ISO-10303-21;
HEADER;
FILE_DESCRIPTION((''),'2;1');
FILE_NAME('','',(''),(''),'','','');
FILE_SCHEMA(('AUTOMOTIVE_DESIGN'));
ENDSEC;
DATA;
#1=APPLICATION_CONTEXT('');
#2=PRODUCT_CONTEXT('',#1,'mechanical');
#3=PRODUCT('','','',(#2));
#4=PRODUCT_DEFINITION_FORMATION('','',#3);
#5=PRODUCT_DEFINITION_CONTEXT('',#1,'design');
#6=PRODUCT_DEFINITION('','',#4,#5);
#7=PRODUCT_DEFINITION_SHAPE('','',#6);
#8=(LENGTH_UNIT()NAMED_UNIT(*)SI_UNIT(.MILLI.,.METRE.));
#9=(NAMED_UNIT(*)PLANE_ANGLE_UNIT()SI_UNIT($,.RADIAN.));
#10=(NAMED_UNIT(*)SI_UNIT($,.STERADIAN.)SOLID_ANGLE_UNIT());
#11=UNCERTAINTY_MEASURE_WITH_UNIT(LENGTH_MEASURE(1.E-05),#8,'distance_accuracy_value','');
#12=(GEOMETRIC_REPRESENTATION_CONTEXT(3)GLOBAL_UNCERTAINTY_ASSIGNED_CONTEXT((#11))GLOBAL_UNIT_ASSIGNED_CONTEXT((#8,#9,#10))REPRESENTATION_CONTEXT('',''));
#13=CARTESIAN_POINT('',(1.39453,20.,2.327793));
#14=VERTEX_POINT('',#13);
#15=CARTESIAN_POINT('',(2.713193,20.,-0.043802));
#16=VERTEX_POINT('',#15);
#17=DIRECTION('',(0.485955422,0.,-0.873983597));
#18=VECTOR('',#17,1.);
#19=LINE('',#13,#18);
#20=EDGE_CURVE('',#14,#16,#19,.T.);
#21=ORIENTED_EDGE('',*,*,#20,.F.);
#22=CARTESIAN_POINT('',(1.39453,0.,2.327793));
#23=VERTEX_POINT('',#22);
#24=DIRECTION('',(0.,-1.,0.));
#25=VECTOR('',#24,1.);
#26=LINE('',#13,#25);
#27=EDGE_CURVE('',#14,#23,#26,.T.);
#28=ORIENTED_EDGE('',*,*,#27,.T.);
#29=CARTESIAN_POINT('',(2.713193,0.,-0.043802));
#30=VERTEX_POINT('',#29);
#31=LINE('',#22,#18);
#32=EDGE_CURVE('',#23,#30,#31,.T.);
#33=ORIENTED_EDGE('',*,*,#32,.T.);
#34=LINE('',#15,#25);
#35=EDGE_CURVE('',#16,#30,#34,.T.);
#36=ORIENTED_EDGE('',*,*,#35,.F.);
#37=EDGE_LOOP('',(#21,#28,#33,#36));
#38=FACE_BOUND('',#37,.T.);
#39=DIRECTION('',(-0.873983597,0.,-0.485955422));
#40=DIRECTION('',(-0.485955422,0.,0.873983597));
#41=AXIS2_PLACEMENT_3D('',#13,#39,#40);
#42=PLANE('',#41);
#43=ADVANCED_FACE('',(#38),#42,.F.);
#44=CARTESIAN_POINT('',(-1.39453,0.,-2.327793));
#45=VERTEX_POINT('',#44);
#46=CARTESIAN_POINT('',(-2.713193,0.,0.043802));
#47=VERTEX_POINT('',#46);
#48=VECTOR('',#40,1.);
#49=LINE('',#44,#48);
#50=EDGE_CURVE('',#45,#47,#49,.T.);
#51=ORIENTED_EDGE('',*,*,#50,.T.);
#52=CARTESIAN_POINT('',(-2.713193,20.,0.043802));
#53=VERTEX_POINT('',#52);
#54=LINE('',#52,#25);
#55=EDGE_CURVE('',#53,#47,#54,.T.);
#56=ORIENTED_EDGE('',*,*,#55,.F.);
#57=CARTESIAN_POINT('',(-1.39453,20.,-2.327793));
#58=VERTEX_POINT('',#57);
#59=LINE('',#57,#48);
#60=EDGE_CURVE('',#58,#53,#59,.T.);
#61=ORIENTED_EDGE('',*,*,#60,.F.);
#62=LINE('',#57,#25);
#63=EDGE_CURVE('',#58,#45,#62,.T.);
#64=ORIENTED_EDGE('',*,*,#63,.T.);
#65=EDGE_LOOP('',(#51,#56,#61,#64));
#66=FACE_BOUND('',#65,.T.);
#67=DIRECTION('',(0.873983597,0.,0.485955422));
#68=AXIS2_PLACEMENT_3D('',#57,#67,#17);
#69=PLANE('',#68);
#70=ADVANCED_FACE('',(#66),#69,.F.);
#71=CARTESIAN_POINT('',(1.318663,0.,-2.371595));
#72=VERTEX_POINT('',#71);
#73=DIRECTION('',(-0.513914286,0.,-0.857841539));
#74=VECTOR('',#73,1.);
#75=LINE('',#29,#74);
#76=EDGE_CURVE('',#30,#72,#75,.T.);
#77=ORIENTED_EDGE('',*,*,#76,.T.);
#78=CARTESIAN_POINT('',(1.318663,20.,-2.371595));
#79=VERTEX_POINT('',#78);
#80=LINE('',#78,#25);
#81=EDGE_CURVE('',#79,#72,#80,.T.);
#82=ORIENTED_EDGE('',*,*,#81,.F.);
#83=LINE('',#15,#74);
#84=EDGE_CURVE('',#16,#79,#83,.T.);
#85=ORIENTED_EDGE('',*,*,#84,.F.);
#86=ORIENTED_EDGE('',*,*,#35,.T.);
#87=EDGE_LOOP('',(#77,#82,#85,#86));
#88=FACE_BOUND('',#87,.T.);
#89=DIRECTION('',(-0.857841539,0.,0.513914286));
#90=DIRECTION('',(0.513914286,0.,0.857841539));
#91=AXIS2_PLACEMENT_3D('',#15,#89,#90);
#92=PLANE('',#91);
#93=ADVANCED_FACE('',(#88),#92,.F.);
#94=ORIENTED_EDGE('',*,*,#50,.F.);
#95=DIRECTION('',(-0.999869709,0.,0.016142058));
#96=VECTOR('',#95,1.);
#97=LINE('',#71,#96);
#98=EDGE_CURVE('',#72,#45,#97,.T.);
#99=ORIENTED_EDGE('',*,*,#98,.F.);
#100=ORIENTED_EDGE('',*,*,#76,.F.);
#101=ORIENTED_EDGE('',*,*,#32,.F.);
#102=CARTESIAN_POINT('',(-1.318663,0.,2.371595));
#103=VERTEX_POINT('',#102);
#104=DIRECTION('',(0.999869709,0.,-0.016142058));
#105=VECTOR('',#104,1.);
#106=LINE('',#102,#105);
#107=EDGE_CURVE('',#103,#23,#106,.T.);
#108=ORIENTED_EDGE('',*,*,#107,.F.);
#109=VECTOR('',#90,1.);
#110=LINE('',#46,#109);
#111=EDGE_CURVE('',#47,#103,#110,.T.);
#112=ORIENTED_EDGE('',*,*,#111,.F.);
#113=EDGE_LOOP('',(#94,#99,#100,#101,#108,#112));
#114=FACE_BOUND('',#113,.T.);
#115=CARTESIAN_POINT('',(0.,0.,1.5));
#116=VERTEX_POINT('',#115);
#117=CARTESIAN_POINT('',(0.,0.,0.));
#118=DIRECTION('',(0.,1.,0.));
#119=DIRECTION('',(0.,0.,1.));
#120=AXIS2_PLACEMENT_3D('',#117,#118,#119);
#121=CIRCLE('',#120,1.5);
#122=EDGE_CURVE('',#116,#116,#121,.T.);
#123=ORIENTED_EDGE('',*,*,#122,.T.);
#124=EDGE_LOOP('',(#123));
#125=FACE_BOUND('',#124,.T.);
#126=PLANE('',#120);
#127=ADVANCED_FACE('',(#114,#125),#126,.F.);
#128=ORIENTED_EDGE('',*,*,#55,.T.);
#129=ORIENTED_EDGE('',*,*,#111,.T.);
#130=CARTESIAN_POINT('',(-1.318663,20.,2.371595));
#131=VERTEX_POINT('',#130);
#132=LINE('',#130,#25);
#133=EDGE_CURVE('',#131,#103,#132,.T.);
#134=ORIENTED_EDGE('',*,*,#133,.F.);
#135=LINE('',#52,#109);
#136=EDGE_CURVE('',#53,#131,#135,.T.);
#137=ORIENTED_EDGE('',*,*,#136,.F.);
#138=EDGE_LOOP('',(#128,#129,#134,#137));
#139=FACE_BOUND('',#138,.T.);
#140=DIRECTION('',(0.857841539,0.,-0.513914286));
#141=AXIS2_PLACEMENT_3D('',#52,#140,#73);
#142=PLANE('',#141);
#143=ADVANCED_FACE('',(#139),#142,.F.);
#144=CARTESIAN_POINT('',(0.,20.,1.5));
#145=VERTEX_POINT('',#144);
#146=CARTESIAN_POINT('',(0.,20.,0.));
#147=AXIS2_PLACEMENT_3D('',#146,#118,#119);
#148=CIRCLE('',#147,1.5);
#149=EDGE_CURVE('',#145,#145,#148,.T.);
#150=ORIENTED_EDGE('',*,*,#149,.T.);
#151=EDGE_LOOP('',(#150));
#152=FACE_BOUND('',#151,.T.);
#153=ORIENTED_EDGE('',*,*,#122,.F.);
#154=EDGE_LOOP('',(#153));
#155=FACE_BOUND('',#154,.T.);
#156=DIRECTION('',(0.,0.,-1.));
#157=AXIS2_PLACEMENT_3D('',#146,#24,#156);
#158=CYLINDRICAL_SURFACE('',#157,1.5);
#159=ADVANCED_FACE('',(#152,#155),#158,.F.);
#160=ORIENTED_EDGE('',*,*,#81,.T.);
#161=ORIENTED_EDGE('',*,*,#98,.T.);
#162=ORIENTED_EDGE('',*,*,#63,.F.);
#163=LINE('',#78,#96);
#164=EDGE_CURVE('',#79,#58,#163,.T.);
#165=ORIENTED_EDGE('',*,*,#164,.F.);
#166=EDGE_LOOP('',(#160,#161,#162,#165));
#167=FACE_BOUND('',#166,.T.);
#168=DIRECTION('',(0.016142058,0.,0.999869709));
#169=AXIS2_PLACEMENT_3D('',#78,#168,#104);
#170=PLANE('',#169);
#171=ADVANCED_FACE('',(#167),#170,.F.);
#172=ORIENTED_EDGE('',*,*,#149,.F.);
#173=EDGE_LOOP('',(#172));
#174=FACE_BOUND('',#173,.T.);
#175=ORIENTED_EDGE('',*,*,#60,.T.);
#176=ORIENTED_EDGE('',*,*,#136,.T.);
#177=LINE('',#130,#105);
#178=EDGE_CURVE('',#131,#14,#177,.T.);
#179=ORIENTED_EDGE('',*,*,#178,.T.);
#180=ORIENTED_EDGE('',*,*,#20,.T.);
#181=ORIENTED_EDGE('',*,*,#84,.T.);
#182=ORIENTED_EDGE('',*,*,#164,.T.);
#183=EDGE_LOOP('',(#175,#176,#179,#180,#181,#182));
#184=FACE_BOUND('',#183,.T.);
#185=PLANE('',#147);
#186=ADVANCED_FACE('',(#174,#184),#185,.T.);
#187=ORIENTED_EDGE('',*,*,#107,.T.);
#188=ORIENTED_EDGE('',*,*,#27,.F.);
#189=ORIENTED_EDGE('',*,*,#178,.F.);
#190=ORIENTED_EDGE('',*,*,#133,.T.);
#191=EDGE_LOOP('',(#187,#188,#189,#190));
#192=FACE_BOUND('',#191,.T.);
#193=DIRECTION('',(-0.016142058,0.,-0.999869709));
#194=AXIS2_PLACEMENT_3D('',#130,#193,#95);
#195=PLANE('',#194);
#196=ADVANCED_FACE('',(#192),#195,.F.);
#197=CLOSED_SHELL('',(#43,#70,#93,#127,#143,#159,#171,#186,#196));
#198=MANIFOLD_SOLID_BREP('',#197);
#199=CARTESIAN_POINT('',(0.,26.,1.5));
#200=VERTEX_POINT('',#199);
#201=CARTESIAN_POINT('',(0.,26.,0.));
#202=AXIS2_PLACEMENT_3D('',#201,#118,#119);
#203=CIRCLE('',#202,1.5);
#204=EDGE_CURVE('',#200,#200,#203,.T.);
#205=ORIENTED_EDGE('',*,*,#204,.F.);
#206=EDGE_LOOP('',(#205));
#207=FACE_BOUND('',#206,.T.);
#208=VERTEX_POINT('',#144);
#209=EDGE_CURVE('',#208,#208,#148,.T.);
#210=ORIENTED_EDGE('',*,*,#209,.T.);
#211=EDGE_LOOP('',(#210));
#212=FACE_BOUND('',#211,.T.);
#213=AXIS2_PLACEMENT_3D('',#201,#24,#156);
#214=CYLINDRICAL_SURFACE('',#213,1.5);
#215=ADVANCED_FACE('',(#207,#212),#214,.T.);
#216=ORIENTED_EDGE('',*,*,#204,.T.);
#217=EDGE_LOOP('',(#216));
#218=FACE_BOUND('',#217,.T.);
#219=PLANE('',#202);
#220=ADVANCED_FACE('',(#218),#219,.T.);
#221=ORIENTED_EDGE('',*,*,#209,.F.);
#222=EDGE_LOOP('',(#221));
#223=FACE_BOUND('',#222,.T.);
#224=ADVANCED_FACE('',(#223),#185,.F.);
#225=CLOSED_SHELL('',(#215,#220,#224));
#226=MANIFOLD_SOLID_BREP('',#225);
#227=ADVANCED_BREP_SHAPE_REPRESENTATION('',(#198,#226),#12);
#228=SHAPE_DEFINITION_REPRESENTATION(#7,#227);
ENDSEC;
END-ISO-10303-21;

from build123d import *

# Parameters (mm, degrees)
SKETCH_1_R      = 1.5
EXTRUDE_1_DEPTH = 20
SKETCH_2_R      = 1.5
EXTRUDE_2_DEPTH = 6


with BuildPart() as part:
    # 草图1 → 凸台-拉伸1 (new body)
    with BuildSketch(Plane(origin=(0, 0, 0), x_dir=(1, 0, 0), z_dir=(0, 1, 0))):
        Polygon((1.394530192, -2.327792705), (2.713192713, 0.04380222), (1.318662521, 2.371594925), (-1.394530192, 2.327792705), (-2.713192713, -0.04380222), (-1.318662521, -2.371594925), align=None)
        with Locations(Location((0, 0, 0), (0, 0, 270))):
            Circle(SKETCH_1_R, mode=Mode.SUBTRACT)
    extrude(amount=EXTRUDE_1_DEPTH)


with BuildPart() as body_2:
    # 草图2 → 凸台-拉伸2 (new body)
    with BuildSketch(Plane(origin=(0, 20, 0), x_dir=(1, 0, 0), z_dir=(0, 1, 0))):
        with Locations(Location((0, 0, 0), (0, 0, 270))):
            Circle(SKETCH_2_R)
    extrude(amount=EXTRUDE_2_DEPTH)


solid = Compound([part.part, body_2.part])
